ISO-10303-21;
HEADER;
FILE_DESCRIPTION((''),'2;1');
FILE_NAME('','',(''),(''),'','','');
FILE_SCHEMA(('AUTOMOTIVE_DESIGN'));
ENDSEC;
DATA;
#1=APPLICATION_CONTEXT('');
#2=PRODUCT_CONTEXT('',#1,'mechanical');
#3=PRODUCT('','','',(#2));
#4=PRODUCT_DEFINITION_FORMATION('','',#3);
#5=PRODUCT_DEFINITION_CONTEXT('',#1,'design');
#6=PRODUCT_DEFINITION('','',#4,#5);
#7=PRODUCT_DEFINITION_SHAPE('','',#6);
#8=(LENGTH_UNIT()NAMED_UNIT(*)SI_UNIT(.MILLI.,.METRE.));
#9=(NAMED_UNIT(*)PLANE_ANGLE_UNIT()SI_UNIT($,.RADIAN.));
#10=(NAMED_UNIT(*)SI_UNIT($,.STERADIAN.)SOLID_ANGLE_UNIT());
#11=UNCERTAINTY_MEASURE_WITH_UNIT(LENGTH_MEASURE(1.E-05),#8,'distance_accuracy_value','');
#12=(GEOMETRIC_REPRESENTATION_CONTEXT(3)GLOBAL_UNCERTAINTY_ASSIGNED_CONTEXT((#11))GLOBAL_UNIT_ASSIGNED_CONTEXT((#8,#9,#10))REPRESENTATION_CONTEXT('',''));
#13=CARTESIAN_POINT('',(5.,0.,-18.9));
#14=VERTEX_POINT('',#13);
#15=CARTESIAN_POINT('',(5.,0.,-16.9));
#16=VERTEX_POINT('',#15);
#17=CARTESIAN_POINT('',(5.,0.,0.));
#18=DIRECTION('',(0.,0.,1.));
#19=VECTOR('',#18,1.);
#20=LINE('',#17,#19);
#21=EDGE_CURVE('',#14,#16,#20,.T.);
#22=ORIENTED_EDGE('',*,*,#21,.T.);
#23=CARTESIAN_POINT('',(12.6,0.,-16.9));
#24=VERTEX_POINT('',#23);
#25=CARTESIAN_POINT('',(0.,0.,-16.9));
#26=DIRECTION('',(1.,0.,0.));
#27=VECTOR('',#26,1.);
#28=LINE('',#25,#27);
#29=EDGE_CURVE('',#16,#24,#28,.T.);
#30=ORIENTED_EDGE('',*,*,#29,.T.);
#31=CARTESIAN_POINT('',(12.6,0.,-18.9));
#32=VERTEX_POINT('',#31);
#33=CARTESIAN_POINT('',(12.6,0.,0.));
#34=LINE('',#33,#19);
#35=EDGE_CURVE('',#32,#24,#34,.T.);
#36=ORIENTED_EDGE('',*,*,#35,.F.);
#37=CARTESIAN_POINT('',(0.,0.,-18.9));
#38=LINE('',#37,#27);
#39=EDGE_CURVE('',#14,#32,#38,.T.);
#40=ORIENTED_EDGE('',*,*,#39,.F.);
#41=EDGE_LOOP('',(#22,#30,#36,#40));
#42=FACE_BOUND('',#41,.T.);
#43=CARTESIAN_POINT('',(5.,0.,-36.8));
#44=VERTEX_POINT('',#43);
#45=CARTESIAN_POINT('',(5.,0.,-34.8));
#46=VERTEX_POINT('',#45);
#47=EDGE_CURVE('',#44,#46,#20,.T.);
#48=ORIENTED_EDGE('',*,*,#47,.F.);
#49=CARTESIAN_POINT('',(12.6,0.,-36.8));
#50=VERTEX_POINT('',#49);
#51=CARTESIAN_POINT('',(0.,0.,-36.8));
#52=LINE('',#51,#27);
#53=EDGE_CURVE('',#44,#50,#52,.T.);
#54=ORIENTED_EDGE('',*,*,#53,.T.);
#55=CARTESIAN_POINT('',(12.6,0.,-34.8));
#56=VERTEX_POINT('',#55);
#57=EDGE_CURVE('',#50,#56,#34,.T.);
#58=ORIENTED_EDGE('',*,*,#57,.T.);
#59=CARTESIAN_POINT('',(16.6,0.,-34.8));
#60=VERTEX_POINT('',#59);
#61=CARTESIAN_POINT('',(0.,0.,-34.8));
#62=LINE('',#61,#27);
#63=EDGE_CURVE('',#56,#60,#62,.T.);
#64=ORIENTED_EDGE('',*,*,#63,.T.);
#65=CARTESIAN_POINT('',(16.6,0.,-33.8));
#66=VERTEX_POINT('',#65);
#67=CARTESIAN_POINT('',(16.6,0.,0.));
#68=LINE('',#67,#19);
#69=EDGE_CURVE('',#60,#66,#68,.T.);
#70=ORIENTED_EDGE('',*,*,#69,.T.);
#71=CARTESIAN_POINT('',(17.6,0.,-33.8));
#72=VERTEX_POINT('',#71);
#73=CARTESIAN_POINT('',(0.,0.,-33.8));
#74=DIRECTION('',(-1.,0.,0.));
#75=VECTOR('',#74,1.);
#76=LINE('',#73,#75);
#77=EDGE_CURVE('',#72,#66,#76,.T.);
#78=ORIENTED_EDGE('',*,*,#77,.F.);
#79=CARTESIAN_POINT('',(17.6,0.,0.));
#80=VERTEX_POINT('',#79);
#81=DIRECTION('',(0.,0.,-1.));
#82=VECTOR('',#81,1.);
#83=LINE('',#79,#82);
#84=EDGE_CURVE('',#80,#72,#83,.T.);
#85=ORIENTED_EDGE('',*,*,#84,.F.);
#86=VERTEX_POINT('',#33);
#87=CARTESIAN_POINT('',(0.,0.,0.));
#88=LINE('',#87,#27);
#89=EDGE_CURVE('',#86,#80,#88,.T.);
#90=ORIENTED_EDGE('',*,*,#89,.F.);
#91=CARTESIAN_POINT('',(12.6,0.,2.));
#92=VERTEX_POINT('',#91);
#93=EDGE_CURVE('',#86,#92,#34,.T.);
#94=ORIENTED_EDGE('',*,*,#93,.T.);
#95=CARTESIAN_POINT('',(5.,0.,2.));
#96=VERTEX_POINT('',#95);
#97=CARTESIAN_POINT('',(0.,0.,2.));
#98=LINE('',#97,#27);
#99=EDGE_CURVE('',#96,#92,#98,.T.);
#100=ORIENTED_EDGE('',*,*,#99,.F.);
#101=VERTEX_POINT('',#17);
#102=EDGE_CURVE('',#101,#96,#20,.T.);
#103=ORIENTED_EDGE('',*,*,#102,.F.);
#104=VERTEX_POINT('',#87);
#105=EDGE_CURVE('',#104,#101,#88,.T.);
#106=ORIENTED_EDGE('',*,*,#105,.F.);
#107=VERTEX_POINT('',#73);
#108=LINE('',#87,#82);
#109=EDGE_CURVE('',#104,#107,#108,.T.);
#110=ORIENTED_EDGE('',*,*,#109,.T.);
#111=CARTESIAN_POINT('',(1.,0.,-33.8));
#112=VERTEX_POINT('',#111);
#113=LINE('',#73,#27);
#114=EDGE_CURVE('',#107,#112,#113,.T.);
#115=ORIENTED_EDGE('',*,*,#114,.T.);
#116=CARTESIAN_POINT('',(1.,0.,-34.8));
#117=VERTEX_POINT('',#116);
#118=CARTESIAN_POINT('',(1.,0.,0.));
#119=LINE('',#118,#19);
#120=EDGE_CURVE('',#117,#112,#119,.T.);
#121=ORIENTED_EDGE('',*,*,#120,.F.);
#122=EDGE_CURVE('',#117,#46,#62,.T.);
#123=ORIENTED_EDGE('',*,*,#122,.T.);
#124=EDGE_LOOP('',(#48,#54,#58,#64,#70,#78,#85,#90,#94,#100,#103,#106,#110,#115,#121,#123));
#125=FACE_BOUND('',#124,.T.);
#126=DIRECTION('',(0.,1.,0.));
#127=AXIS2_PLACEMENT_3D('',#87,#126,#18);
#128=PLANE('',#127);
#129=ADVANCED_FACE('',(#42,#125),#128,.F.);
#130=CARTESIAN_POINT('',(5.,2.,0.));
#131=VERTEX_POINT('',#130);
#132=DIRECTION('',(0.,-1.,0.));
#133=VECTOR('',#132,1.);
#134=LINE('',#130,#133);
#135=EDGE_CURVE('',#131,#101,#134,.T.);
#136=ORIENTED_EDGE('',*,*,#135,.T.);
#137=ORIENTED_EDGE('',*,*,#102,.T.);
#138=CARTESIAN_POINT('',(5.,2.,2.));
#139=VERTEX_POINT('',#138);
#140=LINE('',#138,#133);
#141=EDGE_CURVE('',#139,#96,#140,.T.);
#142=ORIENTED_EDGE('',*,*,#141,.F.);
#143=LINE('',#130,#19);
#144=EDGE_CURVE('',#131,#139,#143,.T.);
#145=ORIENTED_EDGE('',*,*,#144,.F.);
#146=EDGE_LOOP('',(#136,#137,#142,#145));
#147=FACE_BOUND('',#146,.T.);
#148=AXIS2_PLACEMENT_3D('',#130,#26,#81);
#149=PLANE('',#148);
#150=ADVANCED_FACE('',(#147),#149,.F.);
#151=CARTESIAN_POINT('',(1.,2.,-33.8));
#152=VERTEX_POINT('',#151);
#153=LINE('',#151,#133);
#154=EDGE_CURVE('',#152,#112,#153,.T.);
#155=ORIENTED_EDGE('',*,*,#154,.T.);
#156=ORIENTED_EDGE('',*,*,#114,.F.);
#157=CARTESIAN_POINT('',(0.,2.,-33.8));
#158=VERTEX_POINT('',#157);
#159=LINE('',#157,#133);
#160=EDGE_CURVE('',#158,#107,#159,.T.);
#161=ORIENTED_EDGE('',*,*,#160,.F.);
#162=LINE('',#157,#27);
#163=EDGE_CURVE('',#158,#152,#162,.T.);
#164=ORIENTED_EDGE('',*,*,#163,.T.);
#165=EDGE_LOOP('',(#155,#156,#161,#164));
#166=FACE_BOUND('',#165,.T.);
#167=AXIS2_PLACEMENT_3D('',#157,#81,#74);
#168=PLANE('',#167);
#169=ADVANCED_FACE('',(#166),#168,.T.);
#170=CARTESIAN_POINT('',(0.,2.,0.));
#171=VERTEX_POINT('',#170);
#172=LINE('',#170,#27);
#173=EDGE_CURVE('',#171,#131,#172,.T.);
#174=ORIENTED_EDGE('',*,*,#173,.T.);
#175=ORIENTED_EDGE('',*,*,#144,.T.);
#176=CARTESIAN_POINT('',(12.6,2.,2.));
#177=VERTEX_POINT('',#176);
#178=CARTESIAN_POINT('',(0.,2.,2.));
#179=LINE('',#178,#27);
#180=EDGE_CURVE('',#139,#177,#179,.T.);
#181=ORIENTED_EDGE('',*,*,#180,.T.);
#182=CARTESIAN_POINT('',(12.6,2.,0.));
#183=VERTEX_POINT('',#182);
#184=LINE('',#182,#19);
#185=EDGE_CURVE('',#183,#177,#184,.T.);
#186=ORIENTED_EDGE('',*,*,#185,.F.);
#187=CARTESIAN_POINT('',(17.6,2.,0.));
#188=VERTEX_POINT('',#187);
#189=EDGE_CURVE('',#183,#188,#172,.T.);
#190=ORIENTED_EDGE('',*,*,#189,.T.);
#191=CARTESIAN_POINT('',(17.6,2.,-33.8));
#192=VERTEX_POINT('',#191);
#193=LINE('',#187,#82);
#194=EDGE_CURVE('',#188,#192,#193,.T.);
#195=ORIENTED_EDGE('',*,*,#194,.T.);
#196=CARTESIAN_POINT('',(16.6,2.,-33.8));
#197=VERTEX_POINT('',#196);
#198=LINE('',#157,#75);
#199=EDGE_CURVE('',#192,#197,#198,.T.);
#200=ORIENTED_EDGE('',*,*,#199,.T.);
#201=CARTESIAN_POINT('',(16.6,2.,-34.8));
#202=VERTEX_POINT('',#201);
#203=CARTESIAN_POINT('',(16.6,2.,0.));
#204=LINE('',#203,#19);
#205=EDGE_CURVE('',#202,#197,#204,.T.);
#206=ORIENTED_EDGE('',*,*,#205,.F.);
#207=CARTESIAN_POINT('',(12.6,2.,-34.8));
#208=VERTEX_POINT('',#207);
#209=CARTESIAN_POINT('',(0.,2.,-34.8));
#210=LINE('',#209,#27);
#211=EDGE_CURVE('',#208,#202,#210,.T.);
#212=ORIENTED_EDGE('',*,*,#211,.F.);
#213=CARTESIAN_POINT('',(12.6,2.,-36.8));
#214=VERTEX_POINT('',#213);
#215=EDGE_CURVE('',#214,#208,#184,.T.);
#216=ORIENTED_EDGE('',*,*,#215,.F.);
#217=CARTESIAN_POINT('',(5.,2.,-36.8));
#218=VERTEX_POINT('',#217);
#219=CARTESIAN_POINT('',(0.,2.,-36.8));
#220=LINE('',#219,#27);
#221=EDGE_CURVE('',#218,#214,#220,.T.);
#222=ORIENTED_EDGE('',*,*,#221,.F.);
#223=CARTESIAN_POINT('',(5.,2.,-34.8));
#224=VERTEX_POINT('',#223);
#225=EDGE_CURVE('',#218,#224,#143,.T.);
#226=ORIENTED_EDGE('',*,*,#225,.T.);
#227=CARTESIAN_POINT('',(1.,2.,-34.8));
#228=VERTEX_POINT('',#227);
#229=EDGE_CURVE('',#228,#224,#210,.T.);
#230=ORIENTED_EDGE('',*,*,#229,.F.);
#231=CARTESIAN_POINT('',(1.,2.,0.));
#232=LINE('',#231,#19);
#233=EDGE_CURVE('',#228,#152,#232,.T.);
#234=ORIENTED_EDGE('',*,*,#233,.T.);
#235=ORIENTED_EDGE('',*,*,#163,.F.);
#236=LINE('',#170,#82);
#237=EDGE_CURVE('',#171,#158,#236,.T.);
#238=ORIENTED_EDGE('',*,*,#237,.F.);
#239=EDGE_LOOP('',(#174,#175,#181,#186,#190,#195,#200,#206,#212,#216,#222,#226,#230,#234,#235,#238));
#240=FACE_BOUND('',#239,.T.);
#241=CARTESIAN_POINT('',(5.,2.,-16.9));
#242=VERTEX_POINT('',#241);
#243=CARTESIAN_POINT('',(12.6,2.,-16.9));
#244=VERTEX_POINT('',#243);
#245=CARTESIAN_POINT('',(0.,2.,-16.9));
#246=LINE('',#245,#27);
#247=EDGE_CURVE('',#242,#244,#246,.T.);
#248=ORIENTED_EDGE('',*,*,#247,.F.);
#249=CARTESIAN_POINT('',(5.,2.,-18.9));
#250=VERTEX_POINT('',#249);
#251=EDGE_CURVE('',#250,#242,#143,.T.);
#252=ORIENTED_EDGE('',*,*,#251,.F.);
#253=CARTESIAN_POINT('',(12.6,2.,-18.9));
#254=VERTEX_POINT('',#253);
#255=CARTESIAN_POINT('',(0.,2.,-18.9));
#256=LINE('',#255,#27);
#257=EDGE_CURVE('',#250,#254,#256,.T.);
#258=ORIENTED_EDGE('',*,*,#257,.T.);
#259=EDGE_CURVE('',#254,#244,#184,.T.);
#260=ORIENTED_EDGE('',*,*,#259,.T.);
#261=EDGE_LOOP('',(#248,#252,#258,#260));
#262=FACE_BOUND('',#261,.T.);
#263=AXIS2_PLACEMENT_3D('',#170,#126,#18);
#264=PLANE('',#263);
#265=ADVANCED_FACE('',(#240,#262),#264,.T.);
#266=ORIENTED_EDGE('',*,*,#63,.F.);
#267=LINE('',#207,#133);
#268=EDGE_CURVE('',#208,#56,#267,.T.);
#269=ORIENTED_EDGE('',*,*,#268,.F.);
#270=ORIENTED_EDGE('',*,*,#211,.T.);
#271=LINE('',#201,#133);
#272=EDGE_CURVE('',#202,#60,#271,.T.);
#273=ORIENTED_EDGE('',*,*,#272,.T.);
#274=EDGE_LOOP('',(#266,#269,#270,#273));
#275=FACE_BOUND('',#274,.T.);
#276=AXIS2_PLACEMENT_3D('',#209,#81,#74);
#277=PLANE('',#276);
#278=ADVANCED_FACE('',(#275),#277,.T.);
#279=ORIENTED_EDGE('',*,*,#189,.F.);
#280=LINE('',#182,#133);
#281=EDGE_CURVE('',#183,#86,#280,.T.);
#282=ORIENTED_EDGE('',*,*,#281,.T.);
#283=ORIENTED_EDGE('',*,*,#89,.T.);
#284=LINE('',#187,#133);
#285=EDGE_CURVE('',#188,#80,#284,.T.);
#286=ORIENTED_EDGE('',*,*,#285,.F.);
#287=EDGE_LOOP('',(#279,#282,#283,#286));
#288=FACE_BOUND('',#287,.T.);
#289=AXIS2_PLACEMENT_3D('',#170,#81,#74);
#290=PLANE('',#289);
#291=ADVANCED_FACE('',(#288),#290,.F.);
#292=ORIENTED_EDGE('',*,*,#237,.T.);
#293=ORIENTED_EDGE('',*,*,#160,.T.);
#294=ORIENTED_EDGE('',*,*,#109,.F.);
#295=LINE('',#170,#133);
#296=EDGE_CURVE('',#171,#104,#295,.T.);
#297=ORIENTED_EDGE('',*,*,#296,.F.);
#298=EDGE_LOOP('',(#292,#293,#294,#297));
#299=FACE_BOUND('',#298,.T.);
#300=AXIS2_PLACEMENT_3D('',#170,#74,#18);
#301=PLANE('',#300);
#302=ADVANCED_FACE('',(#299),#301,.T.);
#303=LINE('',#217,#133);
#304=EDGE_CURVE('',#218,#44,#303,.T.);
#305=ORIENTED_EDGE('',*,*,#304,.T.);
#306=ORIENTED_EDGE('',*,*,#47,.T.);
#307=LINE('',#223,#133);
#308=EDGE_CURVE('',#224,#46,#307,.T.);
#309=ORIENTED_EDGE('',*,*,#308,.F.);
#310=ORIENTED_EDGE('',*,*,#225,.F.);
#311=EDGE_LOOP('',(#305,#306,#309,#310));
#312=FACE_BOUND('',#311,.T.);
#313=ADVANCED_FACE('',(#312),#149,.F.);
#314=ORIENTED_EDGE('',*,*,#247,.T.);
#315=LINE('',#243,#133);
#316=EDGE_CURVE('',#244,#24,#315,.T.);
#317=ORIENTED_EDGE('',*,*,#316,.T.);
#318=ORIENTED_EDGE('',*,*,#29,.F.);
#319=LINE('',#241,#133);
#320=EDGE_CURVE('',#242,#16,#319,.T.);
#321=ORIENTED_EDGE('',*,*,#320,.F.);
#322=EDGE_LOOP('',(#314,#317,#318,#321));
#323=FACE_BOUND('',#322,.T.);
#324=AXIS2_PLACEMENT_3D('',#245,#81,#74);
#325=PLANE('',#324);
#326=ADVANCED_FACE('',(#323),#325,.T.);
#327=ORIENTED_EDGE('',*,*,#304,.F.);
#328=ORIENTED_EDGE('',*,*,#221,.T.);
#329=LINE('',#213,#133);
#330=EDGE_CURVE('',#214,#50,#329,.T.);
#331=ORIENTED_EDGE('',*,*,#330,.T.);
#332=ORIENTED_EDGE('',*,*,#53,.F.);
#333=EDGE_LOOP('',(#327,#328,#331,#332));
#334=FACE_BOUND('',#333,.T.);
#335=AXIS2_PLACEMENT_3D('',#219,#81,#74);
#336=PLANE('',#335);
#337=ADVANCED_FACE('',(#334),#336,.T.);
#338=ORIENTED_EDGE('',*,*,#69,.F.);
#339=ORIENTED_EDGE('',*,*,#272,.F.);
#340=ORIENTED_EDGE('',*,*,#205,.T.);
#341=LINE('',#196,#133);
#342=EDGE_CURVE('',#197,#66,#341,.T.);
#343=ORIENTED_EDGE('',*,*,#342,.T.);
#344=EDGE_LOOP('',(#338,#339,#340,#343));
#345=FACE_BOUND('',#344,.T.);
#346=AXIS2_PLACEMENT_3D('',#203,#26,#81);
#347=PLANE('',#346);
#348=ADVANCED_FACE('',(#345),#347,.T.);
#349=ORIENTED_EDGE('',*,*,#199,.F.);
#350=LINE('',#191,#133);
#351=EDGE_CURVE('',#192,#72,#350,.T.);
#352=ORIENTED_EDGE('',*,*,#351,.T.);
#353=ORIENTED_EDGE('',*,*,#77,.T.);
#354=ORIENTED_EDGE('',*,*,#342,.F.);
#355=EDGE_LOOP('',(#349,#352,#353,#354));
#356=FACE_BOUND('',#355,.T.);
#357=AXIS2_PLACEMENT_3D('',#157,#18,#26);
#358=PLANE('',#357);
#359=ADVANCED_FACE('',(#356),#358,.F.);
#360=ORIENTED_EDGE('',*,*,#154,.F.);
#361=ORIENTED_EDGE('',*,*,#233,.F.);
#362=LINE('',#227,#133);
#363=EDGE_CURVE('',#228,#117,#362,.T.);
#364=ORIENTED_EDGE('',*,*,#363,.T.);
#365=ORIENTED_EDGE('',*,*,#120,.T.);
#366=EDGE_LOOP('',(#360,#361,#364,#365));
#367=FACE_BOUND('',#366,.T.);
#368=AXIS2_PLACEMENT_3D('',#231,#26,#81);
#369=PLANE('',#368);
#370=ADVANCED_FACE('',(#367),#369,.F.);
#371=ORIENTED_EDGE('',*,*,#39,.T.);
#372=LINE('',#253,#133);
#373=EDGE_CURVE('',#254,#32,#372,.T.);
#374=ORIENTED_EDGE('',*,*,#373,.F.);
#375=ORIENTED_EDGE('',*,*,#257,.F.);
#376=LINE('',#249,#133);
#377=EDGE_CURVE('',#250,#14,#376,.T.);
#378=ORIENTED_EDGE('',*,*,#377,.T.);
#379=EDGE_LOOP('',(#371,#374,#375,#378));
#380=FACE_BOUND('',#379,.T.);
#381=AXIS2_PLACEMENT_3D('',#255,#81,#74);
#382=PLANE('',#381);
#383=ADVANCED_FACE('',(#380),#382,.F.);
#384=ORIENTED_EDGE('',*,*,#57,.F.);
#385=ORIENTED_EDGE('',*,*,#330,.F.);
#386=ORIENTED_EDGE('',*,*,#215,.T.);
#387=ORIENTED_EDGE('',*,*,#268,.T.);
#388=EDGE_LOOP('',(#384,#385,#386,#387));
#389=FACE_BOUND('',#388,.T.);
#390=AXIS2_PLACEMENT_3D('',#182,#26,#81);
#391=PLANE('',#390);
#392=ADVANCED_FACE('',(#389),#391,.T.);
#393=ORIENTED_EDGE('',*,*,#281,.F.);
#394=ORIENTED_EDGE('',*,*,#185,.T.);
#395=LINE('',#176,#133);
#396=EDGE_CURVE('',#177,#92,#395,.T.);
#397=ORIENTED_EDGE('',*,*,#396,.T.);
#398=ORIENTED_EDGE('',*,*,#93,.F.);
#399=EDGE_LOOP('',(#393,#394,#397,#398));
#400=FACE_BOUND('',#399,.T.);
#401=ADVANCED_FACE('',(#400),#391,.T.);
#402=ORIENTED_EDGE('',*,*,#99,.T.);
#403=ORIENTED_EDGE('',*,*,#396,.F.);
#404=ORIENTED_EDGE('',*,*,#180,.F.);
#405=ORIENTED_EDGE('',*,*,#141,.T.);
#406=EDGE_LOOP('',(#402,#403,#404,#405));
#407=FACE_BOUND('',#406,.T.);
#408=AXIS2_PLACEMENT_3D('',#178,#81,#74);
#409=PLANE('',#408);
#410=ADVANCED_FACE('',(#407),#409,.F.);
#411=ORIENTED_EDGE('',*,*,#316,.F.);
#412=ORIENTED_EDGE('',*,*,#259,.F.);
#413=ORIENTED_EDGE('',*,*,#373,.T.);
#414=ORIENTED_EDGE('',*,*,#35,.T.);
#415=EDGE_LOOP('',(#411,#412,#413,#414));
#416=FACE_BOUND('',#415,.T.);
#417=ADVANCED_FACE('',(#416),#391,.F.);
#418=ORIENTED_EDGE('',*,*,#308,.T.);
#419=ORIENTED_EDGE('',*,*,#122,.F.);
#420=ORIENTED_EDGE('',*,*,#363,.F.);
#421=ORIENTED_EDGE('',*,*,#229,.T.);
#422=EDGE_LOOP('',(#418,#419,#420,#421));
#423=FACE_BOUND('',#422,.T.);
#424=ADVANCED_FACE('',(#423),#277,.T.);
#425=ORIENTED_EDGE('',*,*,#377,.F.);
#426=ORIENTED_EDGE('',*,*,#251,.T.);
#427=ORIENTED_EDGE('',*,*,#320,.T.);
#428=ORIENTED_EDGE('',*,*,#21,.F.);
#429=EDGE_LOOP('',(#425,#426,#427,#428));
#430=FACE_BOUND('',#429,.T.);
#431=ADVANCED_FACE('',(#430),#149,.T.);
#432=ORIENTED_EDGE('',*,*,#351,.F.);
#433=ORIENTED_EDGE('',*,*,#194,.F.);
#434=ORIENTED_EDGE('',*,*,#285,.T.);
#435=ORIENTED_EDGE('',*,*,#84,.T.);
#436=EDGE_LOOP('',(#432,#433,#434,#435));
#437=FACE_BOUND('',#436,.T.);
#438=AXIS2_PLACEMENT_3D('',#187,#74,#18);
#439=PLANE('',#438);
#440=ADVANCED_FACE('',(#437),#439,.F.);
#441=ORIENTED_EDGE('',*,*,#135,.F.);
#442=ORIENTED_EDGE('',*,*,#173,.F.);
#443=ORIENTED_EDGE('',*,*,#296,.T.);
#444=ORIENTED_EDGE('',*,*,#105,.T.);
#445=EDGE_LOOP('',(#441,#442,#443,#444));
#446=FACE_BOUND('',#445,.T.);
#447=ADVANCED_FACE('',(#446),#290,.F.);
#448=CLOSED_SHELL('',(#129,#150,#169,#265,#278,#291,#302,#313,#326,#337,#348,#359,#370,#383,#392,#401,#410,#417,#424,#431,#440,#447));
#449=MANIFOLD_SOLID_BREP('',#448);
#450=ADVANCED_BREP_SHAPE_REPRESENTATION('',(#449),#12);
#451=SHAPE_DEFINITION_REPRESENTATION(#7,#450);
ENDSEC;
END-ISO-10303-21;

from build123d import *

# Parameters (mm, degrees)
SKETCH_1_W      = 7.6
SKETCH_1_H      = 2
EXTRUDE_1_DEPTH = 2


with BuildPart() as part:
    # 草图1 → 凸台-拉伸1 (new body)
    with BuildSketch(Plane(origin=(0, 0, 0), x_dir=(1, 0, 0), z_dir=(0, 1, 0))):
        Polygon((0, 33.8), (0, 0), (5, 0), (5, -2), (12.6, -2), (12.6, 0), (17.6, 0), (17.6, 33.8), (16.6, 33.8), (16.6, 34.8), (12.6, 34.8), (12.6, 36.8), (5, 36.8), (5, 34.8), (1, 34.8), (1, 33.8), align=None)
        with Locations((8.8, 17.9)):
            Rectangle(SKETCH_1_W, SKETCH_1_H, mode=Mode.SUBTRACT)
    extrude(amount=EXTRUDE_1_DEPTH)


solid = part.part
